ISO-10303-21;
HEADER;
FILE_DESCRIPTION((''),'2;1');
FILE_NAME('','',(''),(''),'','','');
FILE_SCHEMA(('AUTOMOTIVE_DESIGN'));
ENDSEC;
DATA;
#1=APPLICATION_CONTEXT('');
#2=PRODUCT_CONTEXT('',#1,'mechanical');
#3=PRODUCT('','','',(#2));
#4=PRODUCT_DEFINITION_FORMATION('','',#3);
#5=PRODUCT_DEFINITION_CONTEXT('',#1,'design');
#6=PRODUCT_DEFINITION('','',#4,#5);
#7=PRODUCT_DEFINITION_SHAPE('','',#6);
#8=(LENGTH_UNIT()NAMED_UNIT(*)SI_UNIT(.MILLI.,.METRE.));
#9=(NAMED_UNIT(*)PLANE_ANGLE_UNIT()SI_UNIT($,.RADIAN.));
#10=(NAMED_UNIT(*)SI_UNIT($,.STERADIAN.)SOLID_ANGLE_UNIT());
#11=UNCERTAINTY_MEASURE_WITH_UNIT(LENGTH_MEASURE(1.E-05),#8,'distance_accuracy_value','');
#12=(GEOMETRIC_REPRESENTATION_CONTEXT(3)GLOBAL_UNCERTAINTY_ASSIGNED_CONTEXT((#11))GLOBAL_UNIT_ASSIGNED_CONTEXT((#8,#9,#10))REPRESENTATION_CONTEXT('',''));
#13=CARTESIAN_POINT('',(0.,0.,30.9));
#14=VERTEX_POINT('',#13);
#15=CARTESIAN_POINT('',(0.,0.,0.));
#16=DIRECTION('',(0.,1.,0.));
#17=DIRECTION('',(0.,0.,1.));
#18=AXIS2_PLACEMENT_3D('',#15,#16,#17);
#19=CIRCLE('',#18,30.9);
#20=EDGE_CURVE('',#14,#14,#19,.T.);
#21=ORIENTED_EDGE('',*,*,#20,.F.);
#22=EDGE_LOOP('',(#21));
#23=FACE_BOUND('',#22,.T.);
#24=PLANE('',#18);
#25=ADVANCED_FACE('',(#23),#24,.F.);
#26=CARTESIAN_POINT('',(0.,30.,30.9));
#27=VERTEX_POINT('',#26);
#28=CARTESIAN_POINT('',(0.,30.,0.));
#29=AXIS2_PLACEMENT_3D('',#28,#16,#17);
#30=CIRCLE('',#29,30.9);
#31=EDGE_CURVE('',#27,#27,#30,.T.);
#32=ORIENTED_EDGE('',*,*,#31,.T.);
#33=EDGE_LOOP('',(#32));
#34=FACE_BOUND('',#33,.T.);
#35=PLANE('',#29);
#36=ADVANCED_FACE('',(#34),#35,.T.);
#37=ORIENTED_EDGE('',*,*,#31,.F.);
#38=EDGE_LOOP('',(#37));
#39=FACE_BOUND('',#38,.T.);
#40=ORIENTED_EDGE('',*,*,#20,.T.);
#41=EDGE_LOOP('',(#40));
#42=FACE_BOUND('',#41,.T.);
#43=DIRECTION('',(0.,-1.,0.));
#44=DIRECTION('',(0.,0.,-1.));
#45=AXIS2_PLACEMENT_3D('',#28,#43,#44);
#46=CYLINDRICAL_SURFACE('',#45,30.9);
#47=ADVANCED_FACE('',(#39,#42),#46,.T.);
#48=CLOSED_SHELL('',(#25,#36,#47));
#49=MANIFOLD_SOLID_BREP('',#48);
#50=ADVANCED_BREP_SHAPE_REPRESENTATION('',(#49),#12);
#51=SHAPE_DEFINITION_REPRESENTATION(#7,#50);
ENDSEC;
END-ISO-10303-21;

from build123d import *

# Parameters (mm, degrees)
ESQUISSE1_R        = 30.9
BOSS_EXTRU_1_DEPTH = 30


with BuildPart() as part:
    # Esquisse1 → Boss.-Extru.1 (new body)
    with BuildSketch(Plane(origin=(0, 0, 0), x_dir=(1, 0, 0), z_dir=(0, 1, 0))):
        with Locations(Location((0, 0, 0), (0, 0, 270))):
            Circle(ESQUISSE1_R)
    extrude(amount=BOSS_EXTRU_1_DEPTH)


solid = part.part
